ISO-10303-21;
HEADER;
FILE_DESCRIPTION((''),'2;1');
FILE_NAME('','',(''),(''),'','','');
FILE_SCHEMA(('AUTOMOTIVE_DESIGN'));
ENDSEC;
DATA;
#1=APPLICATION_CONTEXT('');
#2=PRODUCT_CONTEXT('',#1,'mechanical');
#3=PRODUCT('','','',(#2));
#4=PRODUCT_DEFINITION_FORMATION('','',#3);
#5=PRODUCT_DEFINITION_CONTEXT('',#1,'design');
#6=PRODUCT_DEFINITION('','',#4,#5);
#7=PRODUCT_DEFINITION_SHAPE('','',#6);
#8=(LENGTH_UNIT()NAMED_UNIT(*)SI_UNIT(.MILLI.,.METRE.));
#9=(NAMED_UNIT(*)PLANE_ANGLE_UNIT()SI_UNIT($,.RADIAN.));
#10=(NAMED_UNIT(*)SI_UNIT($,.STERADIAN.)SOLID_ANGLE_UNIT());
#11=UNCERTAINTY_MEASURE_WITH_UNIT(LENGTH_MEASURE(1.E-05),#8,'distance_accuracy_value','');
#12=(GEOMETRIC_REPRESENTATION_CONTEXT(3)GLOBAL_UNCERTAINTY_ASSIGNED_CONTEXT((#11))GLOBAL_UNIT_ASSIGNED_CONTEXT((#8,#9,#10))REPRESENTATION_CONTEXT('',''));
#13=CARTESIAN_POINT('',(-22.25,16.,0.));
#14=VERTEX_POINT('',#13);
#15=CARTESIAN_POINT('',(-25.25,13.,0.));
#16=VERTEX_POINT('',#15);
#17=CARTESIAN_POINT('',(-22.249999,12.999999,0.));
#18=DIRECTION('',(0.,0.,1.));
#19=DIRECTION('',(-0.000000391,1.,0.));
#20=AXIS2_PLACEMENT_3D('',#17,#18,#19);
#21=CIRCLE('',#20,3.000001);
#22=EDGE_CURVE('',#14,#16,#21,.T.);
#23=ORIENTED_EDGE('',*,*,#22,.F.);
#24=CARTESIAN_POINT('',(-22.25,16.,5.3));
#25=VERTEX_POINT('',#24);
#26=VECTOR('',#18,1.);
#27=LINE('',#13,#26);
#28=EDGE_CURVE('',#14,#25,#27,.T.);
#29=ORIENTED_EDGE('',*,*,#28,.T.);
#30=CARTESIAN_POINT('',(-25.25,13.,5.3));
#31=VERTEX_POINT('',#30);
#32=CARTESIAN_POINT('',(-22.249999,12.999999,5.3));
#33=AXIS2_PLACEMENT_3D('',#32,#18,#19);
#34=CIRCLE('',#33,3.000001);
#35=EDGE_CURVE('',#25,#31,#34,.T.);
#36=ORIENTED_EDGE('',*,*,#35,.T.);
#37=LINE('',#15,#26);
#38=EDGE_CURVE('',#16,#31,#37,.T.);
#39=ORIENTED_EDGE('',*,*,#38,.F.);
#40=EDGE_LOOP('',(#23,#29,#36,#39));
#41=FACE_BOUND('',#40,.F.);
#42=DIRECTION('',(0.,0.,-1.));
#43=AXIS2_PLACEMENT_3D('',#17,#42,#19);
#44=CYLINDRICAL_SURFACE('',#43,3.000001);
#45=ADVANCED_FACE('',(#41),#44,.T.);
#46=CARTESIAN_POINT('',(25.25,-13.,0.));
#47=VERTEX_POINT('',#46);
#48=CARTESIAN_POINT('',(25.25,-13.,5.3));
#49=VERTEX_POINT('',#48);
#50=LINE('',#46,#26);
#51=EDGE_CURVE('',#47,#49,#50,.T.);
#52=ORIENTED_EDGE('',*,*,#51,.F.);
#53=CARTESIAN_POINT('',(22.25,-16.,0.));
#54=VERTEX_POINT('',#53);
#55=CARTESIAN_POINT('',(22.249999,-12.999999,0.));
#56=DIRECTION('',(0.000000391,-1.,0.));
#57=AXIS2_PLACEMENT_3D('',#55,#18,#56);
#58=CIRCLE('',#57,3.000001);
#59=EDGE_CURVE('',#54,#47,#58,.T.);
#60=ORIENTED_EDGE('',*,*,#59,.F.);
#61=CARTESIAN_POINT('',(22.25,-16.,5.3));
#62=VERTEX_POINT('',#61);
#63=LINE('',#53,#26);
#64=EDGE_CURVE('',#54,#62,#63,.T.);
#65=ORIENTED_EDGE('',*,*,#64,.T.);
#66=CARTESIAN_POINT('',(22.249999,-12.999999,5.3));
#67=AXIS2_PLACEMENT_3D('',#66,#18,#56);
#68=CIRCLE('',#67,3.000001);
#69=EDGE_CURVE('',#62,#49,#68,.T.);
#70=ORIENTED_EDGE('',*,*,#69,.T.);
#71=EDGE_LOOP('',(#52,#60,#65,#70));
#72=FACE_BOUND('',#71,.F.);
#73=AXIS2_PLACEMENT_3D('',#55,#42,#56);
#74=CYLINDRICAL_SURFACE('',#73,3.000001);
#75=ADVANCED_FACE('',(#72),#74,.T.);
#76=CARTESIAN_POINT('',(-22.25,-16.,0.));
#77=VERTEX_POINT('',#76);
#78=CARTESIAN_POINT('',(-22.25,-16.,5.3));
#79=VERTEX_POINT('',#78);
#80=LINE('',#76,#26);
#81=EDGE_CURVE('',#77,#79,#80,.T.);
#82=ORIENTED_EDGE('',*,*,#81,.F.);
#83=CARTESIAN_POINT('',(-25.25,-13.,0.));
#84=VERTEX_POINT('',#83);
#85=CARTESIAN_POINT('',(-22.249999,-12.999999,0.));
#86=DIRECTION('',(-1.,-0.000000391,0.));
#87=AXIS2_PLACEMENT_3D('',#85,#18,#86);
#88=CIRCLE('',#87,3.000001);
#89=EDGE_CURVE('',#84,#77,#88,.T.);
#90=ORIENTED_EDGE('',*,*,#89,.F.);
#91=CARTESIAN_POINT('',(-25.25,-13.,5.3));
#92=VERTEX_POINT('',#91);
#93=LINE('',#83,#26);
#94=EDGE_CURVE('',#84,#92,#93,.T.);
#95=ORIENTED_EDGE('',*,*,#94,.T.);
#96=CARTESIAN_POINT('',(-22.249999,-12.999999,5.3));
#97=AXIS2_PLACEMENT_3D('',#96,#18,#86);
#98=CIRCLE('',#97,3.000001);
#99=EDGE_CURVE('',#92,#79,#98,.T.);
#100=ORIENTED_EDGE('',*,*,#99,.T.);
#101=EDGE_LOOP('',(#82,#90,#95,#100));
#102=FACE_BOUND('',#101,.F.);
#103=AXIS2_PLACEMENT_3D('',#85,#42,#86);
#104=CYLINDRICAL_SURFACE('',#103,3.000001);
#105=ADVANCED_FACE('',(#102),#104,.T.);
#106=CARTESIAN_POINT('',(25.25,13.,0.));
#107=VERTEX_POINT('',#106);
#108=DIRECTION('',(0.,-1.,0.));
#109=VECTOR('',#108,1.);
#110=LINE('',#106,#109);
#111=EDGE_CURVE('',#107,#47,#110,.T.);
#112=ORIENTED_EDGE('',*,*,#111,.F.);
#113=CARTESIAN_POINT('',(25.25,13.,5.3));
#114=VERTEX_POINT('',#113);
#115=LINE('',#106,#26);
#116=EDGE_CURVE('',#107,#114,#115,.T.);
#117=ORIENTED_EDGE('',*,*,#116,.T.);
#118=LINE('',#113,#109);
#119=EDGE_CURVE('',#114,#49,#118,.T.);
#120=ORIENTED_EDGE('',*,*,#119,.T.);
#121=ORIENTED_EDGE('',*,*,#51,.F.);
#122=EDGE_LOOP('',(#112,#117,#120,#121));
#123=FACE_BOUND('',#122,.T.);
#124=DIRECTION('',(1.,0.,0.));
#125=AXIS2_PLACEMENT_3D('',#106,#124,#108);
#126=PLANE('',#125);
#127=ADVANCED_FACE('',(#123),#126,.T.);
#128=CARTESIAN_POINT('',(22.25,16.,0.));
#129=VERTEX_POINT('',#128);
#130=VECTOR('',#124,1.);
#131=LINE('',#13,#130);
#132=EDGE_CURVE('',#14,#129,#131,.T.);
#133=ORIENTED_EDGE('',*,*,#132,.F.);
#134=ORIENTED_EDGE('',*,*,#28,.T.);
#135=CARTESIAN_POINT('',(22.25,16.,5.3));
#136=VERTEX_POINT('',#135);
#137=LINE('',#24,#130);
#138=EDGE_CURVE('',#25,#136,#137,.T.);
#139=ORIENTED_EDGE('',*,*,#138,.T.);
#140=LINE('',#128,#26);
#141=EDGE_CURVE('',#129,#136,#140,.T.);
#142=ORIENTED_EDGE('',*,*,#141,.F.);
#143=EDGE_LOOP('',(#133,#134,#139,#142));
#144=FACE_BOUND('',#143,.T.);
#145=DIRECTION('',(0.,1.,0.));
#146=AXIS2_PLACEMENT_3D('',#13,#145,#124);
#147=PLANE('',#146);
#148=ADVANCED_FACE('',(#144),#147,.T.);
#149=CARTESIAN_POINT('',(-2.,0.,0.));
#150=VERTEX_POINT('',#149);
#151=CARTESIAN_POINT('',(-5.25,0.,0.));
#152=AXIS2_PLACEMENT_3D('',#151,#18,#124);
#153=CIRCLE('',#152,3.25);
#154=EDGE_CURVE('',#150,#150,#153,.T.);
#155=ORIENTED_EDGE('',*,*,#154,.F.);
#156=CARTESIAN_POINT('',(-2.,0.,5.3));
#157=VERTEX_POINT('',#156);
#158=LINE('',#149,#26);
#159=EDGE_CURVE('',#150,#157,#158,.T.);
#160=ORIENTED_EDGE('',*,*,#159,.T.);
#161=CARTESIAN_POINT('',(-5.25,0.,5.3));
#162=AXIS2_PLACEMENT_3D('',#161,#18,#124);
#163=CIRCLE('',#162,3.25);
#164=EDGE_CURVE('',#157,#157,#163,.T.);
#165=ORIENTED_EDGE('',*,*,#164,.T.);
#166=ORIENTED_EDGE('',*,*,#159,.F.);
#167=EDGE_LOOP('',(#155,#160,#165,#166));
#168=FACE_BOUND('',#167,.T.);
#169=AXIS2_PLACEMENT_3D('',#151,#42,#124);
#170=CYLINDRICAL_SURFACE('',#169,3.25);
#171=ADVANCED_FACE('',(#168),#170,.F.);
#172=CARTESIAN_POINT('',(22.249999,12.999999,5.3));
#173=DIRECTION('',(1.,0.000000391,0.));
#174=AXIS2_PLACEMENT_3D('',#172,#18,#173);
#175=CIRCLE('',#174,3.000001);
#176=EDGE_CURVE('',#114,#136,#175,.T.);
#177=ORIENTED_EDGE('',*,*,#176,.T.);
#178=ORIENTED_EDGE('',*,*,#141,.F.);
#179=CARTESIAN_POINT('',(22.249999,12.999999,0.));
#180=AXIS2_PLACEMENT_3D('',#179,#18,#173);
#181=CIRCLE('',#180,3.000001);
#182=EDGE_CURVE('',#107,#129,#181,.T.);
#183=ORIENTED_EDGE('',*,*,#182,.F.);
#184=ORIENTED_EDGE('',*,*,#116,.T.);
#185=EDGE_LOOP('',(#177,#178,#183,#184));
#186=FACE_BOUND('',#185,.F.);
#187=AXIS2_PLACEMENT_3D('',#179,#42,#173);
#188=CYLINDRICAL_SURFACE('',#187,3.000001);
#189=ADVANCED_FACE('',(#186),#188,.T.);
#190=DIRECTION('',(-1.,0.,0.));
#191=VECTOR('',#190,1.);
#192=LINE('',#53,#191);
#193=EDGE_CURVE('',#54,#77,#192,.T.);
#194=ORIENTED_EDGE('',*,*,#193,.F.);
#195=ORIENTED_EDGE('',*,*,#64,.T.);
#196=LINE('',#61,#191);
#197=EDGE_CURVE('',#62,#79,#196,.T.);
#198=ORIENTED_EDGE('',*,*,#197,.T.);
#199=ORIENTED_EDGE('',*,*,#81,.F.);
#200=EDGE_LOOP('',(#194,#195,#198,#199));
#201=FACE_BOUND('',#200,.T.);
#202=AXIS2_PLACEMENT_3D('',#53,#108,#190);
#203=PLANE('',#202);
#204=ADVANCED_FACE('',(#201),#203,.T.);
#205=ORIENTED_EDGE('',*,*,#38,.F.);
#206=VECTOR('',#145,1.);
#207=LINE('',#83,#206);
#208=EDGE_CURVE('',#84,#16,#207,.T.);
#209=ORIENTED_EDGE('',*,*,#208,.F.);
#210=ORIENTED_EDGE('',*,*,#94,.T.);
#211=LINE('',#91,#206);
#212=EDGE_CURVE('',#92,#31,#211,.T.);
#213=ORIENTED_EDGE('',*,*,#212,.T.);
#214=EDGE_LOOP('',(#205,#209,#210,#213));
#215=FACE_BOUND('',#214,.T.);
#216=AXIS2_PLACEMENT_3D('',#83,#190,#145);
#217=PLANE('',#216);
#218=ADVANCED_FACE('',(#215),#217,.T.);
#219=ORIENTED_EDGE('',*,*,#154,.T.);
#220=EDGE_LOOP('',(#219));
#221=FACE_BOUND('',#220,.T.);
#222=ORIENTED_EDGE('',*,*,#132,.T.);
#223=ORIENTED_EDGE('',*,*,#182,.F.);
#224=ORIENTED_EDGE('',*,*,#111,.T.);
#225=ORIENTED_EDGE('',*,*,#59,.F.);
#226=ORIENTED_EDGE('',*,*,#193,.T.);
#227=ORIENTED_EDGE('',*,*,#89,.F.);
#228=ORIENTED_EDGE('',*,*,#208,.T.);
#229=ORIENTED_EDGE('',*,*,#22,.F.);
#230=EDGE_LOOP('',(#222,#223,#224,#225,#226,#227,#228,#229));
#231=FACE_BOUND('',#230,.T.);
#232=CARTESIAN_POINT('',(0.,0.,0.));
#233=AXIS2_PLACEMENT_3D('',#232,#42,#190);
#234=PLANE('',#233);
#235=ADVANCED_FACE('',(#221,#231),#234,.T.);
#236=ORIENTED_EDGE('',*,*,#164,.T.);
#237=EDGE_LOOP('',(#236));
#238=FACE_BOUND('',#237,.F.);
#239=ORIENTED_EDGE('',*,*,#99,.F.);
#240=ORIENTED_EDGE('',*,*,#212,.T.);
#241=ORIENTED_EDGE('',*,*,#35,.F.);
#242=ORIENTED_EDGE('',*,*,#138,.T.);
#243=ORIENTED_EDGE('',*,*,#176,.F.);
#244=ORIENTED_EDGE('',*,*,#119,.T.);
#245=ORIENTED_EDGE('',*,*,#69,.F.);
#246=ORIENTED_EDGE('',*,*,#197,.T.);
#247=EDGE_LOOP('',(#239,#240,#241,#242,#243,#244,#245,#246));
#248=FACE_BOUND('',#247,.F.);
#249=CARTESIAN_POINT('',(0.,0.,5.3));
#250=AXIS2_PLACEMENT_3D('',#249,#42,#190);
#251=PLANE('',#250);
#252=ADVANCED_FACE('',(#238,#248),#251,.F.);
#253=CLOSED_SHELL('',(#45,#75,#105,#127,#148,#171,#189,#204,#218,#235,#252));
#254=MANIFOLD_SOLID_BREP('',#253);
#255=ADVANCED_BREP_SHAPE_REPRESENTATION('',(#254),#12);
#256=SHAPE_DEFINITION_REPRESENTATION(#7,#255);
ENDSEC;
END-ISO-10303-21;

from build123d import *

# Parameters (mm, degrees)
SKETCH_R  = 3.25
PAD_DEPTH = 5.3


with BuildPart() as part:
    # Sketch → Pad (new body)
    with BuildSketch(Plane.XY):
        with BuildLine():
            Line((-22.25, 16), (22.25, 16))
            ThreePointArc((25.25, 13), (24.37132, 15.12132), (22.25, 16))
            Line((25.25, 13), (25.25, -13))
            ThreePointArc((22.25, -16), (24.37132, -15.12132), (25.25, -13))
            Line((22.25, -16), (-22.25, -16))
            ThreePointArc((-25.25, -13), (-24.37132, -15.12132), (-22.25, -16))
            Line((-25.25, -13), (-25.25, 13))
            ThreePointArc((-22.25, 16), (-24.37132, 15.12132), (-25.25, 13))
        make_face()
        with Locations((-5.25, 0)):
            Circle(SKETCH_R, mode=Mode.SUBTRACT)
    extrude(amount=PAD_DEPTH)


solid = part.part
